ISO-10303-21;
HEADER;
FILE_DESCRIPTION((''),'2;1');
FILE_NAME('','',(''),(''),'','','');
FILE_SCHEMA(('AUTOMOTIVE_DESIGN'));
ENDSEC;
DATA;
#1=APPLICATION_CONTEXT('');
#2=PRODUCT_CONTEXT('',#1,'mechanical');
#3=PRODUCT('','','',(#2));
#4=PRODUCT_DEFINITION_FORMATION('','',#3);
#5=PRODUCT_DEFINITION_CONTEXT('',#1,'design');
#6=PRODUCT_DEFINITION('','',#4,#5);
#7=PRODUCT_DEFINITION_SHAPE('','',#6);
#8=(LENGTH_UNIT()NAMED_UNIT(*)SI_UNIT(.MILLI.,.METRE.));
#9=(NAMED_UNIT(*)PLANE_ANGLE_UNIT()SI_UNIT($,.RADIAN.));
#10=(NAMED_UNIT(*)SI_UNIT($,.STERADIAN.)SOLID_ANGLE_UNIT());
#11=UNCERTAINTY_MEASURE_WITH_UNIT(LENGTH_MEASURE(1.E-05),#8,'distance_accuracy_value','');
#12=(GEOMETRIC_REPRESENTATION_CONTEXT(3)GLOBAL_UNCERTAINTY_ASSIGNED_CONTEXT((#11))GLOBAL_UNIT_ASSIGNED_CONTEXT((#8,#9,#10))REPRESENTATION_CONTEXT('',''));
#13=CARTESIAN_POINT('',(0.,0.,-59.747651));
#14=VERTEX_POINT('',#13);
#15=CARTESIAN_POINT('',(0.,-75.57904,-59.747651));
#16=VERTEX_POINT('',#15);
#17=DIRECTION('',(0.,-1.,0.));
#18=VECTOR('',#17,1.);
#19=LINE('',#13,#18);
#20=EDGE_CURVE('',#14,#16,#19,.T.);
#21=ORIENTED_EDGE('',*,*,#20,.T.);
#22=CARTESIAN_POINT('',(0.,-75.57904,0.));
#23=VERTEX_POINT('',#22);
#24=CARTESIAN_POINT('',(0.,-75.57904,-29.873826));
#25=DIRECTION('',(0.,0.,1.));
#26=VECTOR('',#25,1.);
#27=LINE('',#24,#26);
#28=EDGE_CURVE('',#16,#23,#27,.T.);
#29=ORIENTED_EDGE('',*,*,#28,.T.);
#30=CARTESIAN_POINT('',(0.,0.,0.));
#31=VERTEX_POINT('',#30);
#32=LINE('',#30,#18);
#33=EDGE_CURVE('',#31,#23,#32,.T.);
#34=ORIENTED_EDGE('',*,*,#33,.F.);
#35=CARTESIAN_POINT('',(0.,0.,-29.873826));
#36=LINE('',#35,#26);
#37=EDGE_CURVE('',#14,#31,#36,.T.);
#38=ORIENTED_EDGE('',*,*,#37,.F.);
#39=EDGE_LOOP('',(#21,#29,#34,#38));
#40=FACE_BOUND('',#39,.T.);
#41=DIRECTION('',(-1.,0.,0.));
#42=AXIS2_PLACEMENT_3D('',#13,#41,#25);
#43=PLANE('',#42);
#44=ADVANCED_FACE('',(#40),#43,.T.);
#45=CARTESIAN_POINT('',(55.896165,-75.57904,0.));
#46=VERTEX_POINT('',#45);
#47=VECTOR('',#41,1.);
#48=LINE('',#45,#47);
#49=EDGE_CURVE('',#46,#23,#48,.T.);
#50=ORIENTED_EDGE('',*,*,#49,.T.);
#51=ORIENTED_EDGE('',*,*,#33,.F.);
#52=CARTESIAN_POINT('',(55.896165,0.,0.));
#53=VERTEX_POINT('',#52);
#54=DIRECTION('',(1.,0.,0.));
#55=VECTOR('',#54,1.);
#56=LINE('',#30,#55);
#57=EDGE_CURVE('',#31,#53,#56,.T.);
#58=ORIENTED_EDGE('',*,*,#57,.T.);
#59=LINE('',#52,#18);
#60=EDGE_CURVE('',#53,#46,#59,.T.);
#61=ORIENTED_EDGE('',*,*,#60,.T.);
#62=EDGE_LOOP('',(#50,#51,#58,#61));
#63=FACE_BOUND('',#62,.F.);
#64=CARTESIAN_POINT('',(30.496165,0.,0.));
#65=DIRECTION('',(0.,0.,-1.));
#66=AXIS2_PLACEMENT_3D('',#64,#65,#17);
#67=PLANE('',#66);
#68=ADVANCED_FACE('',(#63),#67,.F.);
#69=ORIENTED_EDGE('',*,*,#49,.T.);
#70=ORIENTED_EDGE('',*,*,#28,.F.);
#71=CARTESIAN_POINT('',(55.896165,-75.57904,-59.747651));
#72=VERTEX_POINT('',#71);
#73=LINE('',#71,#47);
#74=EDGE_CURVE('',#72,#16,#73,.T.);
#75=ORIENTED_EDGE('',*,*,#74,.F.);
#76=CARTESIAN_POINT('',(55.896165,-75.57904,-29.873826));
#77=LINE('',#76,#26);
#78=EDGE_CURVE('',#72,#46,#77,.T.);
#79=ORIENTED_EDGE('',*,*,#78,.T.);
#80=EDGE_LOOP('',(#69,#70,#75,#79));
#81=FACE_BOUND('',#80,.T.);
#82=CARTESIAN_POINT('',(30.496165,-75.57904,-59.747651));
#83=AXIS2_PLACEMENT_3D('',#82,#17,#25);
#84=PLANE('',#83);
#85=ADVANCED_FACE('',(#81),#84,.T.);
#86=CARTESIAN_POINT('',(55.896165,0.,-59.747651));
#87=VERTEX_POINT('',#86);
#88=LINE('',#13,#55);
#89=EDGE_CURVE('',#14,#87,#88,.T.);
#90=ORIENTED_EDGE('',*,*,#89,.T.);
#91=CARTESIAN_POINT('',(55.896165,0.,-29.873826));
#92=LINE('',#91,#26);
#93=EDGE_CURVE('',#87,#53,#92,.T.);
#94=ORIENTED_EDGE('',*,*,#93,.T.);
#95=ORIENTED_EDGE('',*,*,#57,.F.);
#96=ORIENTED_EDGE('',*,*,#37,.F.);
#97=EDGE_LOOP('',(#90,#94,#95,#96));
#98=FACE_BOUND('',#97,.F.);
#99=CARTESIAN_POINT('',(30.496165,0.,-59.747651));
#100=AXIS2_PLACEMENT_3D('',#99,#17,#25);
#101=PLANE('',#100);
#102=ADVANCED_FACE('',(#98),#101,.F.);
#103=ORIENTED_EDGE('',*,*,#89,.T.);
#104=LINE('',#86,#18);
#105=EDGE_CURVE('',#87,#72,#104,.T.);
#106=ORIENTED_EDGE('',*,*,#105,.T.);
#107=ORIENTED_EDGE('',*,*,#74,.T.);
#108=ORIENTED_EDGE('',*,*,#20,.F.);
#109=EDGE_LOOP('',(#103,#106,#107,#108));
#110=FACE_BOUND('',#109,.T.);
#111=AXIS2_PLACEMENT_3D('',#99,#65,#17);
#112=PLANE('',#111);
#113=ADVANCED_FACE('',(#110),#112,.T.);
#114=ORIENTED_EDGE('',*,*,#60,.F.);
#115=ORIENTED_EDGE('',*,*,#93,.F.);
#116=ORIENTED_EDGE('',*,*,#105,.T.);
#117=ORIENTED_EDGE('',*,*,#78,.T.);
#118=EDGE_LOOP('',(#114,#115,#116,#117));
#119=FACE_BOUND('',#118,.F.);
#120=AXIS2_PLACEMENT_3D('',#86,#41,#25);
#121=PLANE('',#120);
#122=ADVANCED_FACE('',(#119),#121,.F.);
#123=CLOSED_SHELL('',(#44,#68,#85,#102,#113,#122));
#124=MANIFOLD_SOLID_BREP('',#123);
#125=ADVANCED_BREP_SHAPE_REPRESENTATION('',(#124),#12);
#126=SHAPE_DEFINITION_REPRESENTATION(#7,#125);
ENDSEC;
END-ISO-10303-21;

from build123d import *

# Parameters (mm, degrees)
F0_W     = 30.4961651564
F0_H     = 59.7476512194
F1_DEPTH = 75.5790397525
F2_DEPTH = 25.4


with BuildPart() as f1:
    # F0 (on Front) → F1 (new body)
    with BuildSketch(Plane.XZ):
        with Locations((15.2480825782, -29.8738256097)):
            Rectangle(F0_W, F0_H)
    extrude(amount=F1_DEPTH)

    # F2 (add): a face of the model
    f2_faces = [f1.faces().sort_by_distance(p)[0] for p in [
        (30.4961651564, -37.7895198762, -29.8738256097),
    ]]
    extrude(f2_faces, amount=F2_DEPTH)


solid = f1.part
